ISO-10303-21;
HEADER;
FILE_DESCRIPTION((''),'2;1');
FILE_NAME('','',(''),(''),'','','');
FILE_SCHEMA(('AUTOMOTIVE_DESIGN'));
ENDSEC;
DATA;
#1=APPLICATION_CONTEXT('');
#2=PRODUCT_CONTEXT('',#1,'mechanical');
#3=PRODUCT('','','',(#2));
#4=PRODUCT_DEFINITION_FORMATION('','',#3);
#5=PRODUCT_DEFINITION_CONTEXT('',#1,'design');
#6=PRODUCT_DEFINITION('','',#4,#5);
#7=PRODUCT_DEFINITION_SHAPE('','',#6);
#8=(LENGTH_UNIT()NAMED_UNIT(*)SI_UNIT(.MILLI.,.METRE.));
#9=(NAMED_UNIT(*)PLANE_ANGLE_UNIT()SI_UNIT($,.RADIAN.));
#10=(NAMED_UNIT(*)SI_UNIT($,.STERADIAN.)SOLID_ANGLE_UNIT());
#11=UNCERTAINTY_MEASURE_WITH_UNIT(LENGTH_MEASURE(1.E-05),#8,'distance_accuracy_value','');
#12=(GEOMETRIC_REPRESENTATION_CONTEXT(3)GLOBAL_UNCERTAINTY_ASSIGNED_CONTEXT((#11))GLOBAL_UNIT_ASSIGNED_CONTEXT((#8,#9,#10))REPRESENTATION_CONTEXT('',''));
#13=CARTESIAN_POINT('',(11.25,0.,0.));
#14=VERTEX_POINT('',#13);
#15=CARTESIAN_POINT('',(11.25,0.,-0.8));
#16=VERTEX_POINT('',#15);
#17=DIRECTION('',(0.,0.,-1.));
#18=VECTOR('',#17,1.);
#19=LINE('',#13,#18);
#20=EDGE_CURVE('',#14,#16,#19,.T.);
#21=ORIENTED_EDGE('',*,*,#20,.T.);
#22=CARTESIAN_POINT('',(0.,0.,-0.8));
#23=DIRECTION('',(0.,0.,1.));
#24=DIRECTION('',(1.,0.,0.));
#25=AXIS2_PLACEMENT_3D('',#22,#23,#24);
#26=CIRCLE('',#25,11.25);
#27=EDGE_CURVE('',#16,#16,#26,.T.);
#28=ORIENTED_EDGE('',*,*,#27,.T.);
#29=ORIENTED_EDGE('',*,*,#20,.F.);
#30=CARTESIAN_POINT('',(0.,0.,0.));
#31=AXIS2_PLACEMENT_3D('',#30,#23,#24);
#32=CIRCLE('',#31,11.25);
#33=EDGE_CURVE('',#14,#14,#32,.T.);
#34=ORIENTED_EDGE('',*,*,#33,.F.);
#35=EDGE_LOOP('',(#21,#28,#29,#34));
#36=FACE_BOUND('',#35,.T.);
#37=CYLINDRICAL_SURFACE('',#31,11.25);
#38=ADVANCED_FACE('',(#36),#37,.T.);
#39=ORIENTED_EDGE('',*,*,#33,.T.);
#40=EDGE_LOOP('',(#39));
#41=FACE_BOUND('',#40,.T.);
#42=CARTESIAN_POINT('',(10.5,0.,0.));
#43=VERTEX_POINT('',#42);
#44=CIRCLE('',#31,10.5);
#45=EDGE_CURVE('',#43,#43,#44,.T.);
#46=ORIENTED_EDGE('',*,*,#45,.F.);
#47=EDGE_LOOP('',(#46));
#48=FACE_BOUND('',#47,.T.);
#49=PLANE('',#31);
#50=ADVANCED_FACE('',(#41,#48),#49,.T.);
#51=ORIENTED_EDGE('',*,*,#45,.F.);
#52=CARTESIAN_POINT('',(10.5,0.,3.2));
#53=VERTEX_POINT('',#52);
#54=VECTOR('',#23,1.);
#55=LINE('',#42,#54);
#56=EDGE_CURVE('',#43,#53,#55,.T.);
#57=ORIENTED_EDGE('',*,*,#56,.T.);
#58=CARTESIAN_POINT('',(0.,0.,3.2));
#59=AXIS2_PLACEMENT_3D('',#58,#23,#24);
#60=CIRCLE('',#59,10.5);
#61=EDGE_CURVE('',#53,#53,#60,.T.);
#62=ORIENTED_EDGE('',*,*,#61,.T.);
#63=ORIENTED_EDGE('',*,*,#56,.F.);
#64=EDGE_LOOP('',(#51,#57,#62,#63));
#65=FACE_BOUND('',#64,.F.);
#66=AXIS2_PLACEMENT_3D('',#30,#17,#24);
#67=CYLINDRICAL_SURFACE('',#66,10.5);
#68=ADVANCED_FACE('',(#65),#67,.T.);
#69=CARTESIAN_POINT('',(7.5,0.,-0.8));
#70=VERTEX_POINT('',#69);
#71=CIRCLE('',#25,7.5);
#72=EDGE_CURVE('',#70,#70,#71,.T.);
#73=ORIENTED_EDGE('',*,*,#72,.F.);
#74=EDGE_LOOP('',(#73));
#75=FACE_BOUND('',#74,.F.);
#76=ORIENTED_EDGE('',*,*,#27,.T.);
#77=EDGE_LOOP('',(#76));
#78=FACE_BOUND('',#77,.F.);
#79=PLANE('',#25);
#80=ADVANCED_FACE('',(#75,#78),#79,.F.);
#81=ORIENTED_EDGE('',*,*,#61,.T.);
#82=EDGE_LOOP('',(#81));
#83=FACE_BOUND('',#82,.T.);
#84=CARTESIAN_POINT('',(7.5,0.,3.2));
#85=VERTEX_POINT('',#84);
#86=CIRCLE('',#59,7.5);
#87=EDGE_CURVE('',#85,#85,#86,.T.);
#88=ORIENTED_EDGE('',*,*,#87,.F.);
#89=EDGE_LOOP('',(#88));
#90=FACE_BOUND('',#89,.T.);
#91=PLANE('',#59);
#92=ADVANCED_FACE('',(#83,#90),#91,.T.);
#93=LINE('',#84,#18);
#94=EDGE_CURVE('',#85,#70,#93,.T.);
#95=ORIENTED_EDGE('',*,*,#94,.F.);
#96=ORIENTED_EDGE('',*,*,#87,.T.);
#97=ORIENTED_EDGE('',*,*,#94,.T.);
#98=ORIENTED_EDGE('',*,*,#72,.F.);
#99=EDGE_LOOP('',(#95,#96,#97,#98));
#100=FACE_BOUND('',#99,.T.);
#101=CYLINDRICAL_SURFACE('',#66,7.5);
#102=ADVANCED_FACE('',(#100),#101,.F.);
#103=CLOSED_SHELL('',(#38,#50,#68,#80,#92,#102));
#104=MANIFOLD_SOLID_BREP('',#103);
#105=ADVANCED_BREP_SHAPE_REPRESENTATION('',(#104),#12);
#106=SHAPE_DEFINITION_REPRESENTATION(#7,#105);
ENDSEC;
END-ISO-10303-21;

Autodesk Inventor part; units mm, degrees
ref_plane "YZ Plane" through (0, 0, 0) normal (1, 0, 0) x (0, 1, 0)
ref_plane "XZ Plane" through (0, 0, 0) normal (0, 1, 0) x (-1, 0, 0)
ref_plane "XY Plane" through (0, 0, 0) normal (0, 0, 1) x (1, 0, 0)
sketch "スケッチ1" plane through (0, 0, 0) normal (0, 0, 1) x (1, 0, 0)
  circle A0 centre (0, 0) radius 7.5
  circle A1 centre (0, 0) radius 10.5
  circle A2 centre (0, 0) radius 11.25
  dimension "d0" = 15
  dimension "d1" = 21
  dimension "d2" = 22.5
extrude "押し出し1" add sketch "スケッチ1" along normal blind 3.2 contours A1
extrude "押し出し2" add sketch "スケッチ1" against normal blind 0.8 contours A1 | A2
properties part number "ベアリング　内径15"
